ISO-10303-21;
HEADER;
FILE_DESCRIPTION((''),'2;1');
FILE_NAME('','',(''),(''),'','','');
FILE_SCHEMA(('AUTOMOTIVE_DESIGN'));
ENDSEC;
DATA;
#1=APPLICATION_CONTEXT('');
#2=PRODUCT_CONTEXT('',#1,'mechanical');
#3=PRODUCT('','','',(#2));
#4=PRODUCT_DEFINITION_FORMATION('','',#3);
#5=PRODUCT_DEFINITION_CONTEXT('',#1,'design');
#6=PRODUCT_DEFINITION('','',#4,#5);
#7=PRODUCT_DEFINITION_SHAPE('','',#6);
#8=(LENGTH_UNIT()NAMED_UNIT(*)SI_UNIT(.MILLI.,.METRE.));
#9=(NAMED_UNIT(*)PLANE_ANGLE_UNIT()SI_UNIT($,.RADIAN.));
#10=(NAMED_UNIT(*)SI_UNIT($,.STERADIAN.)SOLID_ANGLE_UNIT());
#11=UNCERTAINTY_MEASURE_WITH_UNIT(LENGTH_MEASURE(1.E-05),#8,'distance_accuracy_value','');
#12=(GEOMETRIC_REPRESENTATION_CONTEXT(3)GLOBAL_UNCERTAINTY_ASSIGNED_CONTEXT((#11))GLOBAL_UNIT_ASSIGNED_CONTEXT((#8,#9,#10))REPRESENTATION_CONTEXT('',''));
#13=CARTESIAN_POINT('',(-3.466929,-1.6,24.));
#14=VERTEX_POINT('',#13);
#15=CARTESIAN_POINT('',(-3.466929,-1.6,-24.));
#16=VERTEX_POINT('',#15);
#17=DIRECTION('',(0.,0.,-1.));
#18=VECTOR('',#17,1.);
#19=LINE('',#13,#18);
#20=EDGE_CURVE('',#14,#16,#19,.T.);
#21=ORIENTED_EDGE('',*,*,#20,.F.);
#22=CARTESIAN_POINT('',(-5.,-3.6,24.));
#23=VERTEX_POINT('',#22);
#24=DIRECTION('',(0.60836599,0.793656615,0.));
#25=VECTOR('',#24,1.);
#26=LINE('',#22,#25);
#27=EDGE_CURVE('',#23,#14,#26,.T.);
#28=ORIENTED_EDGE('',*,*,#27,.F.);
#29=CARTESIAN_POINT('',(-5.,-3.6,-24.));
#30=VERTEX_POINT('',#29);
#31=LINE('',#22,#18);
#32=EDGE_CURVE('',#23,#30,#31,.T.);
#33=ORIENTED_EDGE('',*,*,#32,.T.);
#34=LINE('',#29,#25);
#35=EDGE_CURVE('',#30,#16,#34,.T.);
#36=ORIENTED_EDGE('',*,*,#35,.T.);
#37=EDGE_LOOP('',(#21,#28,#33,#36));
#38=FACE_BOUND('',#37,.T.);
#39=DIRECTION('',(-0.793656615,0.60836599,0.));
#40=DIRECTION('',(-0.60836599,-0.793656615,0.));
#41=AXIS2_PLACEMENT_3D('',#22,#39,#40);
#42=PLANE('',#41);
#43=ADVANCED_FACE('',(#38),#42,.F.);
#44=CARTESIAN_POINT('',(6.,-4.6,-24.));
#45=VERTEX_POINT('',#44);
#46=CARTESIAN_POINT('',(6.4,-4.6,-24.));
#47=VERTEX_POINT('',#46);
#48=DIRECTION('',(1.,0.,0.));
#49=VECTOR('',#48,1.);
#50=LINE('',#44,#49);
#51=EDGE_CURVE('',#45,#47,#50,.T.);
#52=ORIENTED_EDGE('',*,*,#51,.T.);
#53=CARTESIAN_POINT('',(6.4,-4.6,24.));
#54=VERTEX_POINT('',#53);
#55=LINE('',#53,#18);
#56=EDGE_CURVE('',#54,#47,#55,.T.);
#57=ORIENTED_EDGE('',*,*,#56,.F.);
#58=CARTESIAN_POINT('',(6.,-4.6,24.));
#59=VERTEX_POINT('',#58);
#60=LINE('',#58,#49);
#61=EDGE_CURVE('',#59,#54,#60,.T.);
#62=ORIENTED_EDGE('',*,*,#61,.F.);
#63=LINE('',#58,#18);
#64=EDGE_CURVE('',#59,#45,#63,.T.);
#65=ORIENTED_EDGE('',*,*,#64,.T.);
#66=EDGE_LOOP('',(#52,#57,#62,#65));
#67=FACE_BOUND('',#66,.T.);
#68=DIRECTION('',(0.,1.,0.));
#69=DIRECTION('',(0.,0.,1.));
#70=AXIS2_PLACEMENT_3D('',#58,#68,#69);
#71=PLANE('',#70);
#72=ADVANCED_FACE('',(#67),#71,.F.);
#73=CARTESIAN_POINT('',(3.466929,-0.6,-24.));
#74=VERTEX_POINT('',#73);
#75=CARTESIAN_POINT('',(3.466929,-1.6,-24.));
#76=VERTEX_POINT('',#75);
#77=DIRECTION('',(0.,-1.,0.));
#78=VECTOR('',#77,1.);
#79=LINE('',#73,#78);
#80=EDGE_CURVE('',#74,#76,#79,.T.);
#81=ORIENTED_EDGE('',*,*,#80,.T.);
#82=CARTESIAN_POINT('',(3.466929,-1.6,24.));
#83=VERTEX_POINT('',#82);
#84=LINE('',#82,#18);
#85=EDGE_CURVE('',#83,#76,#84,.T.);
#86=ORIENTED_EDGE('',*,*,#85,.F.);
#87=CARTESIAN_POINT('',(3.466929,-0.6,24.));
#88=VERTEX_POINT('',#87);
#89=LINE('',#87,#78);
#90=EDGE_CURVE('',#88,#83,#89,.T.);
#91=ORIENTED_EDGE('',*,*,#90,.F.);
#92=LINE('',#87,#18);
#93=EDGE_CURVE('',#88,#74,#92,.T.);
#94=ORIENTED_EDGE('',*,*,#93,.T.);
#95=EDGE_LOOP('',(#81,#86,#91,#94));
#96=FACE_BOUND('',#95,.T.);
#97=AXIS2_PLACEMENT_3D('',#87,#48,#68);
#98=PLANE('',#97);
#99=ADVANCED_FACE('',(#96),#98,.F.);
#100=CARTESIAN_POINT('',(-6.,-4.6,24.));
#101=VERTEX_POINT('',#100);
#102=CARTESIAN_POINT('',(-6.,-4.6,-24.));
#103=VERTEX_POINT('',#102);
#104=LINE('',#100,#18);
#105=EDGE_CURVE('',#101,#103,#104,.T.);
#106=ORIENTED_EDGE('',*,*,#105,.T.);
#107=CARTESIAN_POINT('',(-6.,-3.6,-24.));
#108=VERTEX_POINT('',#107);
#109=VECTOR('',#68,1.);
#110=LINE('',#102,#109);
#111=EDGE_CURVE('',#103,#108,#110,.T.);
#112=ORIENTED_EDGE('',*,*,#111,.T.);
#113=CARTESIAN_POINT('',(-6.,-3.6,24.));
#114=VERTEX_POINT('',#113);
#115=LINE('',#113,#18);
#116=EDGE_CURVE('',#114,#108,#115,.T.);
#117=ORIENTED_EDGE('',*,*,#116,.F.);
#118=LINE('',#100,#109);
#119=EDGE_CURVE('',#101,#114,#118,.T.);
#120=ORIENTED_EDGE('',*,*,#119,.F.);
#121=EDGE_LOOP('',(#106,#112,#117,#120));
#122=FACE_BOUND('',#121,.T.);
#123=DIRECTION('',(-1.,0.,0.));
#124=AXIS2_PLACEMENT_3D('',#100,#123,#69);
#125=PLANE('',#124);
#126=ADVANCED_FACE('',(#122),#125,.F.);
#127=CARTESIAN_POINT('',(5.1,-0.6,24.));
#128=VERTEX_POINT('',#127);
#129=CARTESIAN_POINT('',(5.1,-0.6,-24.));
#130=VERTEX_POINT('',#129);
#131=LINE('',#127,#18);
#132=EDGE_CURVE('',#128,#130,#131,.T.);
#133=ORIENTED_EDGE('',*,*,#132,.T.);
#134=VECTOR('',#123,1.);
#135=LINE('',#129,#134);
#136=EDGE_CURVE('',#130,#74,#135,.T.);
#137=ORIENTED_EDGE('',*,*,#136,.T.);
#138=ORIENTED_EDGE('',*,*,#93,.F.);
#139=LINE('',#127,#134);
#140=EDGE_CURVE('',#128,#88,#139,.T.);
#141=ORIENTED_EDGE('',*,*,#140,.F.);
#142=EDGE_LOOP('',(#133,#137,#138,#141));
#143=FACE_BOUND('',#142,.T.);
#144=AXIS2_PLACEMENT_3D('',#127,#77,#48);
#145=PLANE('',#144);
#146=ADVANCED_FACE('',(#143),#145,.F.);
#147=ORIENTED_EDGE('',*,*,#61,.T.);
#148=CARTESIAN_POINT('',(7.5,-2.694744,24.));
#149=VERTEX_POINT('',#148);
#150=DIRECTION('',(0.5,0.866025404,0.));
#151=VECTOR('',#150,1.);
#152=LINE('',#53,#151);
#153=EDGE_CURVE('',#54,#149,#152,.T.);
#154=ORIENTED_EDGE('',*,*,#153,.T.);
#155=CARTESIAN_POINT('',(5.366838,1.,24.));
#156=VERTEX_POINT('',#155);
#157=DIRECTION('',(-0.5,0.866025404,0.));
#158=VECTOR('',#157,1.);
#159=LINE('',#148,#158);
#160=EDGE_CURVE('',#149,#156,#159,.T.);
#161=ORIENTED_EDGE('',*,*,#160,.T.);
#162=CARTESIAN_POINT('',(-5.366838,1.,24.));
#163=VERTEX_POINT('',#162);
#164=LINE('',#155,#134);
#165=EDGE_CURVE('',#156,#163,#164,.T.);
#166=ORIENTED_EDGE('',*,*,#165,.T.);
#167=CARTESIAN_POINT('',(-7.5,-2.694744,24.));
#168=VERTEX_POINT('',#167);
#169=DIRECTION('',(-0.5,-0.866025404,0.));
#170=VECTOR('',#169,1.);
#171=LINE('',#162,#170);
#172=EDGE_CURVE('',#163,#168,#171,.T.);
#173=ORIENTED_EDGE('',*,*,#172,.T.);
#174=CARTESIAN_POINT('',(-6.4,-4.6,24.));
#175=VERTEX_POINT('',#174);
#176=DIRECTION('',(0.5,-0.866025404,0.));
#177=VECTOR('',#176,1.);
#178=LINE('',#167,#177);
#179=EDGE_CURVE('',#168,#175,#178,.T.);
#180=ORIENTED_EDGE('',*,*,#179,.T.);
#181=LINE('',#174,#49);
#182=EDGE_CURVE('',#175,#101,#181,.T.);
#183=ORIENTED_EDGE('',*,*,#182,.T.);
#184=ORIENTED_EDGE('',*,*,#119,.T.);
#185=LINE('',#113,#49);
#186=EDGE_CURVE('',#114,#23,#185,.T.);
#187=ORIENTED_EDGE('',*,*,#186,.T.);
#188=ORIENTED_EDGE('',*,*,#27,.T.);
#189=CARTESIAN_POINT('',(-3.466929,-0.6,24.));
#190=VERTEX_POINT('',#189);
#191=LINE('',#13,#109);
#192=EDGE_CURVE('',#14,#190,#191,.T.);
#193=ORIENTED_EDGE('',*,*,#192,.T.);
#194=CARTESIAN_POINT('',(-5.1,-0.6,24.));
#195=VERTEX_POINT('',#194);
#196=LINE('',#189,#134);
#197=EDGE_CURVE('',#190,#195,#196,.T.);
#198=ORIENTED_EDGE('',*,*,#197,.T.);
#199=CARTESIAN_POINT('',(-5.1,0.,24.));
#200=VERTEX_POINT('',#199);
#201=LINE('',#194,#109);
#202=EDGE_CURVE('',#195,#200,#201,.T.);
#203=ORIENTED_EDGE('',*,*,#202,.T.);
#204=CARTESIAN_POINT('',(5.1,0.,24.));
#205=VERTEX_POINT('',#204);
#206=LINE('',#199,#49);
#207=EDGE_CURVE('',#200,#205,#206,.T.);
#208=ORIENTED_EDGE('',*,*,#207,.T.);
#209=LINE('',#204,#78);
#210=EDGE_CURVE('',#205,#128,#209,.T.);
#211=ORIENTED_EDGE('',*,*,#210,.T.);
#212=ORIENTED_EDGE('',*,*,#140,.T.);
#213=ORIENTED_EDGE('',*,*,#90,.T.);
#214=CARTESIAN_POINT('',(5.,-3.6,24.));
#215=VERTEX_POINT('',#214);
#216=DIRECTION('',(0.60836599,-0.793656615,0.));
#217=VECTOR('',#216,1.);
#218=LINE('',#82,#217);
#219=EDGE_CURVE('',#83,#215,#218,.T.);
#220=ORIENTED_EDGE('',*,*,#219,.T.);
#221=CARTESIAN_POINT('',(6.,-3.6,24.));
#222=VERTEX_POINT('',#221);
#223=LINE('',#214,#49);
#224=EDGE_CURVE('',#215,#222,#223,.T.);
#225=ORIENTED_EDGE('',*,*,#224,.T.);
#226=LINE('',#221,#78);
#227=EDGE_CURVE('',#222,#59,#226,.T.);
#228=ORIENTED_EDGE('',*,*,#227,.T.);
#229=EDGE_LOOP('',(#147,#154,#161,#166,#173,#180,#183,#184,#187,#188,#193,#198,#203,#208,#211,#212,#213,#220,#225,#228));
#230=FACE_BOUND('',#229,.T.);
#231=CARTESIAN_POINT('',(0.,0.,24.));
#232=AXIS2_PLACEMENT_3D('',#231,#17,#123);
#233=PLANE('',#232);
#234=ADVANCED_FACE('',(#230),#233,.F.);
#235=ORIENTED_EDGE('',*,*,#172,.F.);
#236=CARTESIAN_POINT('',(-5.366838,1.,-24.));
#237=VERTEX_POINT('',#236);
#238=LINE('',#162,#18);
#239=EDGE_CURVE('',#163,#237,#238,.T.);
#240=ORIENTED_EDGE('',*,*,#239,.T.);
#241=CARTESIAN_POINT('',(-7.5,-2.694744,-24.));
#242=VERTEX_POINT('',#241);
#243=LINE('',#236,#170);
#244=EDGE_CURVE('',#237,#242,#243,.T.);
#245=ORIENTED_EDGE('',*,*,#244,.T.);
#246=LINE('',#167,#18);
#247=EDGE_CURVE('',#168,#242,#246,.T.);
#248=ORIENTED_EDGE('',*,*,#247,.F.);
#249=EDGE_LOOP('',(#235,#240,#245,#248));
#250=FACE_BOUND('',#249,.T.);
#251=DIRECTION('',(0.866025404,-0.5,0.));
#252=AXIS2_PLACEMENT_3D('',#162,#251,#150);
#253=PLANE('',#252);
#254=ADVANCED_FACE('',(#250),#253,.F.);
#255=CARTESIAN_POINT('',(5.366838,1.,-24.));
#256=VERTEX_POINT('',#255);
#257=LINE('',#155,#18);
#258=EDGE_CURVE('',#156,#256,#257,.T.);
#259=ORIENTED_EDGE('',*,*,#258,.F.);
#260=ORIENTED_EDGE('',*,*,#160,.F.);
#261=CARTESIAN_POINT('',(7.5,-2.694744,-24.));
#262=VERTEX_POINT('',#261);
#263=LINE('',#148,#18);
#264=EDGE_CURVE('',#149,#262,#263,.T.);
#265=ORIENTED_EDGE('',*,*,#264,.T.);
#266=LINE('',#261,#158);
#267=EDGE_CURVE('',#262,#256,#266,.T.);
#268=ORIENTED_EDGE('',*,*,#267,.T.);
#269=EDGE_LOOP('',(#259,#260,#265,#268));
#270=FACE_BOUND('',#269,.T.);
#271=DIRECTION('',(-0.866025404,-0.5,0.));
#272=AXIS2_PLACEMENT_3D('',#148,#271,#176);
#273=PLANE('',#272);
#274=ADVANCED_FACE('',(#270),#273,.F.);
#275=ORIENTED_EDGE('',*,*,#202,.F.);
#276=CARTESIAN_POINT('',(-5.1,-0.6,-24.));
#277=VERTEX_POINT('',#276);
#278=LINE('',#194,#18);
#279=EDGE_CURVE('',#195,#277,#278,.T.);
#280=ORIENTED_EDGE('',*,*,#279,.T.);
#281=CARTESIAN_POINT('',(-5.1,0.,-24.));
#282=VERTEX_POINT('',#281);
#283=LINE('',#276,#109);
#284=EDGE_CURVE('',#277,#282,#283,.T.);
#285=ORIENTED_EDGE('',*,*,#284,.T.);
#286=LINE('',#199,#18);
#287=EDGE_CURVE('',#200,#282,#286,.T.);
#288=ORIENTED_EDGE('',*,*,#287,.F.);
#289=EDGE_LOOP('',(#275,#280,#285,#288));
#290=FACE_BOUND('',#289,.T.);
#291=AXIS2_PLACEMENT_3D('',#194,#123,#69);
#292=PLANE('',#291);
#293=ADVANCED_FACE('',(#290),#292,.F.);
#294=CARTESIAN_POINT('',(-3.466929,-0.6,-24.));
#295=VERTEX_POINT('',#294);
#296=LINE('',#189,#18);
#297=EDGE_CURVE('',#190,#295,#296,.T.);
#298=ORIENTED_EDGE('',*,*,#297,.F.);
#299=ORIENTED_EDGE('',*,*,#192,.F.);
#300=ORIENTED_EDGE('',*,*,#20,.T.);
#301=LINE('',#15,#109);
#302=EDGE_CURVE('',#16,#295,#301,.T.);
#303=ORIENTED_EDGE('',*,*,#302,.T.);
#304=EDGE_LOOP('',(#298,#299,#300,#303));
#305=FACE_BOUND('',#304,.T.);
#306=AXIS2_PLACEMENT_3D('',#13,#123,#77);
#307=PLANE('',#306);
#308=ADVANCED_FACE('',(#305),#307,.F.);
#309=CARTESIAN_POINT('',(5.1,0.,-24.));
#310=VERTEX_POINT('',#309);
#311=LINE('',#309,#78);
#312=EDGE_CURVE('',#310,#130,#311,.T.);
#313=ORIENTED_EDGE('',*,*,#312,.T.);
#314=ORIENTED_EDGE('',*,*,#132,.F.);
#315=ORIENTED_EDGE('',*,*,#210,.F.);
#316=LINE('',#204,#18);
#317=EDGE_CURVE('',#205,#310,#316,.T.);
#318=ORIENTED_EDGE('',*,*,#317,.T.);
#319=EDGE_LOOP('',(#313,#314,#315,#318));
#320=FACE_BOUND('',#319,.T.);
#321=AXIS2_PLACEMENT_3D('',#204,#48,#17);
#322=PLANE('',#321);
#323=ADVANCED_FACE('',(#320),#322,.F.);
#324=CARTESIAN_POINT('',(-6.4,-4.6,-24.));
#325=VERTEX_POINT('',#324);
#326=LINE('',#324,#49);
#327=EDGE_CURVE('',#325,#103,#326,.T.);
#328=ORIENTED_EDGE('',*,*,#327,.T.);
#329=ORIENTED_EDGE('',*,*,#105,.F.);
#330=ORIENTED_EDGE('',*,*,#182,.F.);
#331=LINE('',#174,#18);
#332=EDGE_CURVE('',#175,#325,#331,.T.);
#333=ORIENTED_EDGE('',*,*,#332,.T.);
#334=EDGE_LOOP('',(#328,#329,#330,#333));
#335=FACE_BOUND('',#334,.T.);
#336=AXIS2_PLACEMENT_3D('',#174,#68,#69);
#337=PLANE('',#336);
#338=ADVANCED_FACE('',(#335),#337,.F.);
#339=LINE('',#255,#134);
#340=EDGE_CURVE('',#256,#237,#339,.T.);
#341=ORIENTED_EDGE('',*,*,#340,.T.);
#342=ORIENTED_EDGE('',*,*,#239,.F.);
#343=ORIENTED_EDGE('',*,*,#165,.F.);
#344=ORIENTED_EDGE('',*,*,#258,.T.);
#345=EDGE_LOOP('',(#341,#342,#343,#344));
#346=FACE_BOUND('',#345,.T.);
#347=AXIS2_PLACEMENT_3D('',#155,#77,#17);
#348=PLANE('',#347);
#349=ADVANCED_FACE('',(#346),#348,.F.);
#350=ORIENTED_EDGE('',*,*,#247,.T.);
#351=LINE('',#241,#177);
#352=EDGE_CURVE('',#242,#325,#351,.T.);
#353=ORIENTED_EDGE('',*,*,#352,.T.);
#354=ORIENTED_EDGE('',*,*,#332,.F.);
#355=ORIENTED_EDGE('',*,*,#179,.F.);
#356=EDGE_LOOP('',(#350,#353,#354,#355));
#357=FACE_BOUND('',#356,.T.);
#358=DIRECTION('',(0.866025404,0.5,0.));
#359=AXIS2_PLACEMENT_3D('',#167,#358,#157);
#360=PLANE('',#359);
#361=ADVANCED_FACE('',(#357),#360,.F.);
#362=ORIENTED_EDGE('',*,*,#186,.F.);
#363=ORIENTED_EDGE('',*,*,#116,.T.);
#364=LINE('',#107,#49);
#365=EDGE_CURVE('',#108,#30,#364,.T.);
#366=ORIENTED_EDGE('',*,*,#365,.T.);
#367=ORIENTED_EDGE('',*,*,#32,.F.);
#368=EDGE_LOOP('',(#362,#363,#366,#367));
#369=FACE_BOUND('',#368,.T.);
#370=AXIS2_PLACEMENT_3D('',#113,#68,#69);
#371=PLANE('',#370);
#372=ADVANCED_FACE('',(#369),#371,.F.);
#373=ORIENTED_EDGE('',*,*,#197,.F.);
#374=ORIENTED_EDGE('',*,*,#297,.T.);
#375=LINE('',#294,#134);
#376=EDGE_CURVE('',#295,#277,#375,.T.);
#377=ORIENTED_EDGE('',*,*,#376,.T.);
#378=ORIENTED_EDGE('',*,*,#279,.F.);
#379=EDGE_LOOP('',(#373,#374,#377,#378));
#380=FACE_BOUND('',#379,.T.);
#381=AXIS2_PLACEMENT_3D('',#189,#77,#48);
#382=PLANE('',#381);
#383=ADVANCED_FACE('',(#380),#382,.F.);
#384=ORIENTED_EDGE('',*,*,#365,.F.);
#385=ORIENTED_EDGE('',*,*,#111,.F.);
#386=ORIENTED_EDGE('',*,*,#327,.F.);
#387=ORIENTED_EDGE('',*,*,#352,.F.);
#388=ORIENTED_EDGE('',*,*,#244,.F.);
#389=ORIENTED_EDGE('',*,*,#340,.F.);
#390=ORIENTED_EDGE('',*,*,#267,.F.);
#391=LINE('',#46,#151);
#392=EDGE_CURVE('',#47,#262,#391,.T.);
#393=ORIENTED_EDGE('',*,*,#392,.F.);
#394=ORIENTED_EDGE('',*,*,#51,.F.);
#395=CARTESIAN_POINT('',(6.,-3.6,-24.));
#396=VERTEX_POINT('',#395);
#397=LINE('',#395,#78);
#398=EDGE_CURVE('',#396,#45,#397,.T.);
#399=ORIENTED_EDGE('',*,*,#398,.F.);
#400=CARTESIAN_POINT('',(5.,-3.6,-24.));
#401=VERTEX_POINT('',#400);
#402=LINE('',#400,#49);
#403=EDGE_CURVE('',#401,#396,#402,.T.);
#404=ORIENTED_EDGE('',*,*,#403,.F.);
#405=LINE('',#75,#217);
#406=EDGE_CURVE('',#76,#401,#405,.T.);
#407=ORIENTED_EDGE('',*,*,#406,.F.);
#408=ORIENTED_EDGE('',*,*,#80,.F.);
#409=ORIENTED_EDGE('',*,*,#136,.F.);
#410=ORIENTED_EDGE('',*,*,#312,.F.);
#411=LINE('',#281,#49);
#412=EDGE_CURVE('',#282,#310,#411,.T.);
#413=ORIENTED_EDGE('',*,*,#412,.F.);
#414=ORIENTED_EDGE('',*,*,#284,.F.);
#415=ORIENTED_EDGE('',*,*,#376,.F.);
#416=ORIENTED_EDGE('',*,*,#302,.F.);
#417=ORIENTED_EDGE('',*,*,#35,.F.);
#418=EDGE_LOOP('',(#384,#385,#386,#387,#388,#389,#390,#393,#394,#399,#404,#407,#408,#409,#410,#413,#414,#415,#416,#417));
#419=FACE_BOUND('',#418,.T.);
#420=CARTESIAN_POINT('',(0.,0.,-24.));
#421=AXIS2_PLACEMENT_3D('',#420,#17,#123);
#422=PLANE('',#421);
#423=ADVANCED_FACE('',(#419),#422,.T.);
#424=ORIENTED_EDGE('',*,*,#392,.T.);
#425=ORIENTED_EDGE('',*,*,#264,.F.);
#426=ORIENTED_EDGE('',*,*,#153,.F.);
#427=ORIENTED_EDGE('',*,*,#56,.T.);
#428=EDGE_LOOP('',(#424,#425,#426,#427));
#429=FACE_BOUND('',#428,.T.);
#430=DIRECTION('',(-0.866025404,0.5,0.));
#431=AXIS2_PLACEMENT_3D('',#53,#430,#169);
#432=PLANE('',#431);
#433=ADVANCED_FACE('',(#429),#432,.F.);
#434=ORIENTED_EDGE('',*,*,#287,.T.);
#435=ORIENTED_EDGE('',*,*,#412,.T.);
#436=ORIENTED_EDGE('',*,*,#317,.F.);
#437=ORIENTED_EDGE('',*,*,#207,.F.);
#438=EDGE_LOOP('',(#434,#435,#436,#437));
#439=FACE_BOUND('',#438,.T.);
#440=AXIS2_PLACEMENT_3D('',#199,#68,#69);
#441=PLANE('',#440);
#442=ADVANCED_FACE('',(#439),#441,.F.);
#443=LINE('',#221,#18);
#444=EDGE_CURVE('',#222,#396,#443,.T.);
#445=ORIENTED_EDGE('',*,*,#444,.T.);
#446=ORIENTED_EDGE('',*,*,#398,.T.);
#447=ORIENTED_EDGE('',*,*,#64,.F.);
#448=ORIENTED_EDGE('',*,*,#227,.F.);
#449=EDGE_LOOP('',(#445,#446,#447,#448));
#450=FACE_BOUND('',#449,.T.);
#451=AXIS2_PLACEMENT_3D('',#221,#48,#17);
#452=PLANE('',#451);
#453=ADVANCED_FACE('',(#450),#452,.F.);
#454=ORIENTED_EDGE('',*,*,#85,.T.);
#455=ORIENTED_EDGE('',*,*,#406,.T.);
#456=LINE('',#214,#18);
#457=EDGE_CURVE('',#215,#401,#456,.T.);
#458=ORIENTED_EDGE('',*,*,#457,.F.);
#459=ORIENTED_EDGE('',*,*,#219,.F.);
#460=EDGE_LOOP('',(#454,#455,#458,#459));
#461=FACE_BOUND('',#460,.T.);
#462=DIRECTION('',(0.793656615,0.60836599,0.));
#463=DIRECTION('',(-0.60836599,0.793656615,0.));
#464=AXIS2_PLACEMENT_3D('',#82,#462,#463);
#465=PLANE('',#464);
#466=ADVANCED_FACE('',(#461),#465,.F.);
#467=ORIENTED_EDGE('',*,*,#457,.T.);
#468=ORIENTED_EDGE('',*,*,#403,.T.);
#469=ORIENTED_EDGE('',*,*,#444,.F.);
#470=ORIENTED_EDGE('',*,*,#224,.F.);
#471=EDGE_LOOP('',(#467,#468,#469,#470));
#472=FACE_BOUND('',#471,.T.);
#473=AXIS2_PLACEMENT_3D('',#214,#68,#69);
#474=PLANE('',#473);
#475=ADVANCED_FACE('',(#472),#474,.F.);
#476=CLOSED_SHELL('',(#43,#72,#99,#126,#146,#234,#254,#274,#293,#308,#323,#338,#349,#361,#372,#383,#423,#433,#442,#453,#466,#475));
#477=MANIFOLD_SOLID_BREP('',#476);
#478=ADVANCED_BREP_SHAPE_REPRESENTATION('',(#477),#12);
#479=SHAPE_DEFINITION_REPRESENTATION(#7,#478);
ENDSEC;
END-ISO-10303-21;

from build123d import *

# Parameters (mm, degrees)
BOSS_EXTRUDE1_DEPTH = 24


with BuildPart() as part:
    # Sketch2 → Boss-Extrude1 (new body, symmetric)
    with BuildSketch(Plane.XY):
        Polygon((7.5, -2.694744112), (5.366838493, 1), (-5.366838493, 1), (-7.5, -2.694744112), (-6.4, -4.6), (-6, -4.6), (-6, -3.6), (-5, -3.6), (-3.46692895, -1.6), (-3.46692895, -0.6), (-5.1, -0.6), (-5.1, 0), (5.1, 0), (5.1, -0.6), (3.46692895, -0.6), (3.46692895, -1.6), (5, -3.6), (6, -3.6), (6, -4.6), (6.4, -4.6), align=None)
    extrude(amount=BOSS_EXTRUDE1_DEPTH, both=True)


solid = part.part
